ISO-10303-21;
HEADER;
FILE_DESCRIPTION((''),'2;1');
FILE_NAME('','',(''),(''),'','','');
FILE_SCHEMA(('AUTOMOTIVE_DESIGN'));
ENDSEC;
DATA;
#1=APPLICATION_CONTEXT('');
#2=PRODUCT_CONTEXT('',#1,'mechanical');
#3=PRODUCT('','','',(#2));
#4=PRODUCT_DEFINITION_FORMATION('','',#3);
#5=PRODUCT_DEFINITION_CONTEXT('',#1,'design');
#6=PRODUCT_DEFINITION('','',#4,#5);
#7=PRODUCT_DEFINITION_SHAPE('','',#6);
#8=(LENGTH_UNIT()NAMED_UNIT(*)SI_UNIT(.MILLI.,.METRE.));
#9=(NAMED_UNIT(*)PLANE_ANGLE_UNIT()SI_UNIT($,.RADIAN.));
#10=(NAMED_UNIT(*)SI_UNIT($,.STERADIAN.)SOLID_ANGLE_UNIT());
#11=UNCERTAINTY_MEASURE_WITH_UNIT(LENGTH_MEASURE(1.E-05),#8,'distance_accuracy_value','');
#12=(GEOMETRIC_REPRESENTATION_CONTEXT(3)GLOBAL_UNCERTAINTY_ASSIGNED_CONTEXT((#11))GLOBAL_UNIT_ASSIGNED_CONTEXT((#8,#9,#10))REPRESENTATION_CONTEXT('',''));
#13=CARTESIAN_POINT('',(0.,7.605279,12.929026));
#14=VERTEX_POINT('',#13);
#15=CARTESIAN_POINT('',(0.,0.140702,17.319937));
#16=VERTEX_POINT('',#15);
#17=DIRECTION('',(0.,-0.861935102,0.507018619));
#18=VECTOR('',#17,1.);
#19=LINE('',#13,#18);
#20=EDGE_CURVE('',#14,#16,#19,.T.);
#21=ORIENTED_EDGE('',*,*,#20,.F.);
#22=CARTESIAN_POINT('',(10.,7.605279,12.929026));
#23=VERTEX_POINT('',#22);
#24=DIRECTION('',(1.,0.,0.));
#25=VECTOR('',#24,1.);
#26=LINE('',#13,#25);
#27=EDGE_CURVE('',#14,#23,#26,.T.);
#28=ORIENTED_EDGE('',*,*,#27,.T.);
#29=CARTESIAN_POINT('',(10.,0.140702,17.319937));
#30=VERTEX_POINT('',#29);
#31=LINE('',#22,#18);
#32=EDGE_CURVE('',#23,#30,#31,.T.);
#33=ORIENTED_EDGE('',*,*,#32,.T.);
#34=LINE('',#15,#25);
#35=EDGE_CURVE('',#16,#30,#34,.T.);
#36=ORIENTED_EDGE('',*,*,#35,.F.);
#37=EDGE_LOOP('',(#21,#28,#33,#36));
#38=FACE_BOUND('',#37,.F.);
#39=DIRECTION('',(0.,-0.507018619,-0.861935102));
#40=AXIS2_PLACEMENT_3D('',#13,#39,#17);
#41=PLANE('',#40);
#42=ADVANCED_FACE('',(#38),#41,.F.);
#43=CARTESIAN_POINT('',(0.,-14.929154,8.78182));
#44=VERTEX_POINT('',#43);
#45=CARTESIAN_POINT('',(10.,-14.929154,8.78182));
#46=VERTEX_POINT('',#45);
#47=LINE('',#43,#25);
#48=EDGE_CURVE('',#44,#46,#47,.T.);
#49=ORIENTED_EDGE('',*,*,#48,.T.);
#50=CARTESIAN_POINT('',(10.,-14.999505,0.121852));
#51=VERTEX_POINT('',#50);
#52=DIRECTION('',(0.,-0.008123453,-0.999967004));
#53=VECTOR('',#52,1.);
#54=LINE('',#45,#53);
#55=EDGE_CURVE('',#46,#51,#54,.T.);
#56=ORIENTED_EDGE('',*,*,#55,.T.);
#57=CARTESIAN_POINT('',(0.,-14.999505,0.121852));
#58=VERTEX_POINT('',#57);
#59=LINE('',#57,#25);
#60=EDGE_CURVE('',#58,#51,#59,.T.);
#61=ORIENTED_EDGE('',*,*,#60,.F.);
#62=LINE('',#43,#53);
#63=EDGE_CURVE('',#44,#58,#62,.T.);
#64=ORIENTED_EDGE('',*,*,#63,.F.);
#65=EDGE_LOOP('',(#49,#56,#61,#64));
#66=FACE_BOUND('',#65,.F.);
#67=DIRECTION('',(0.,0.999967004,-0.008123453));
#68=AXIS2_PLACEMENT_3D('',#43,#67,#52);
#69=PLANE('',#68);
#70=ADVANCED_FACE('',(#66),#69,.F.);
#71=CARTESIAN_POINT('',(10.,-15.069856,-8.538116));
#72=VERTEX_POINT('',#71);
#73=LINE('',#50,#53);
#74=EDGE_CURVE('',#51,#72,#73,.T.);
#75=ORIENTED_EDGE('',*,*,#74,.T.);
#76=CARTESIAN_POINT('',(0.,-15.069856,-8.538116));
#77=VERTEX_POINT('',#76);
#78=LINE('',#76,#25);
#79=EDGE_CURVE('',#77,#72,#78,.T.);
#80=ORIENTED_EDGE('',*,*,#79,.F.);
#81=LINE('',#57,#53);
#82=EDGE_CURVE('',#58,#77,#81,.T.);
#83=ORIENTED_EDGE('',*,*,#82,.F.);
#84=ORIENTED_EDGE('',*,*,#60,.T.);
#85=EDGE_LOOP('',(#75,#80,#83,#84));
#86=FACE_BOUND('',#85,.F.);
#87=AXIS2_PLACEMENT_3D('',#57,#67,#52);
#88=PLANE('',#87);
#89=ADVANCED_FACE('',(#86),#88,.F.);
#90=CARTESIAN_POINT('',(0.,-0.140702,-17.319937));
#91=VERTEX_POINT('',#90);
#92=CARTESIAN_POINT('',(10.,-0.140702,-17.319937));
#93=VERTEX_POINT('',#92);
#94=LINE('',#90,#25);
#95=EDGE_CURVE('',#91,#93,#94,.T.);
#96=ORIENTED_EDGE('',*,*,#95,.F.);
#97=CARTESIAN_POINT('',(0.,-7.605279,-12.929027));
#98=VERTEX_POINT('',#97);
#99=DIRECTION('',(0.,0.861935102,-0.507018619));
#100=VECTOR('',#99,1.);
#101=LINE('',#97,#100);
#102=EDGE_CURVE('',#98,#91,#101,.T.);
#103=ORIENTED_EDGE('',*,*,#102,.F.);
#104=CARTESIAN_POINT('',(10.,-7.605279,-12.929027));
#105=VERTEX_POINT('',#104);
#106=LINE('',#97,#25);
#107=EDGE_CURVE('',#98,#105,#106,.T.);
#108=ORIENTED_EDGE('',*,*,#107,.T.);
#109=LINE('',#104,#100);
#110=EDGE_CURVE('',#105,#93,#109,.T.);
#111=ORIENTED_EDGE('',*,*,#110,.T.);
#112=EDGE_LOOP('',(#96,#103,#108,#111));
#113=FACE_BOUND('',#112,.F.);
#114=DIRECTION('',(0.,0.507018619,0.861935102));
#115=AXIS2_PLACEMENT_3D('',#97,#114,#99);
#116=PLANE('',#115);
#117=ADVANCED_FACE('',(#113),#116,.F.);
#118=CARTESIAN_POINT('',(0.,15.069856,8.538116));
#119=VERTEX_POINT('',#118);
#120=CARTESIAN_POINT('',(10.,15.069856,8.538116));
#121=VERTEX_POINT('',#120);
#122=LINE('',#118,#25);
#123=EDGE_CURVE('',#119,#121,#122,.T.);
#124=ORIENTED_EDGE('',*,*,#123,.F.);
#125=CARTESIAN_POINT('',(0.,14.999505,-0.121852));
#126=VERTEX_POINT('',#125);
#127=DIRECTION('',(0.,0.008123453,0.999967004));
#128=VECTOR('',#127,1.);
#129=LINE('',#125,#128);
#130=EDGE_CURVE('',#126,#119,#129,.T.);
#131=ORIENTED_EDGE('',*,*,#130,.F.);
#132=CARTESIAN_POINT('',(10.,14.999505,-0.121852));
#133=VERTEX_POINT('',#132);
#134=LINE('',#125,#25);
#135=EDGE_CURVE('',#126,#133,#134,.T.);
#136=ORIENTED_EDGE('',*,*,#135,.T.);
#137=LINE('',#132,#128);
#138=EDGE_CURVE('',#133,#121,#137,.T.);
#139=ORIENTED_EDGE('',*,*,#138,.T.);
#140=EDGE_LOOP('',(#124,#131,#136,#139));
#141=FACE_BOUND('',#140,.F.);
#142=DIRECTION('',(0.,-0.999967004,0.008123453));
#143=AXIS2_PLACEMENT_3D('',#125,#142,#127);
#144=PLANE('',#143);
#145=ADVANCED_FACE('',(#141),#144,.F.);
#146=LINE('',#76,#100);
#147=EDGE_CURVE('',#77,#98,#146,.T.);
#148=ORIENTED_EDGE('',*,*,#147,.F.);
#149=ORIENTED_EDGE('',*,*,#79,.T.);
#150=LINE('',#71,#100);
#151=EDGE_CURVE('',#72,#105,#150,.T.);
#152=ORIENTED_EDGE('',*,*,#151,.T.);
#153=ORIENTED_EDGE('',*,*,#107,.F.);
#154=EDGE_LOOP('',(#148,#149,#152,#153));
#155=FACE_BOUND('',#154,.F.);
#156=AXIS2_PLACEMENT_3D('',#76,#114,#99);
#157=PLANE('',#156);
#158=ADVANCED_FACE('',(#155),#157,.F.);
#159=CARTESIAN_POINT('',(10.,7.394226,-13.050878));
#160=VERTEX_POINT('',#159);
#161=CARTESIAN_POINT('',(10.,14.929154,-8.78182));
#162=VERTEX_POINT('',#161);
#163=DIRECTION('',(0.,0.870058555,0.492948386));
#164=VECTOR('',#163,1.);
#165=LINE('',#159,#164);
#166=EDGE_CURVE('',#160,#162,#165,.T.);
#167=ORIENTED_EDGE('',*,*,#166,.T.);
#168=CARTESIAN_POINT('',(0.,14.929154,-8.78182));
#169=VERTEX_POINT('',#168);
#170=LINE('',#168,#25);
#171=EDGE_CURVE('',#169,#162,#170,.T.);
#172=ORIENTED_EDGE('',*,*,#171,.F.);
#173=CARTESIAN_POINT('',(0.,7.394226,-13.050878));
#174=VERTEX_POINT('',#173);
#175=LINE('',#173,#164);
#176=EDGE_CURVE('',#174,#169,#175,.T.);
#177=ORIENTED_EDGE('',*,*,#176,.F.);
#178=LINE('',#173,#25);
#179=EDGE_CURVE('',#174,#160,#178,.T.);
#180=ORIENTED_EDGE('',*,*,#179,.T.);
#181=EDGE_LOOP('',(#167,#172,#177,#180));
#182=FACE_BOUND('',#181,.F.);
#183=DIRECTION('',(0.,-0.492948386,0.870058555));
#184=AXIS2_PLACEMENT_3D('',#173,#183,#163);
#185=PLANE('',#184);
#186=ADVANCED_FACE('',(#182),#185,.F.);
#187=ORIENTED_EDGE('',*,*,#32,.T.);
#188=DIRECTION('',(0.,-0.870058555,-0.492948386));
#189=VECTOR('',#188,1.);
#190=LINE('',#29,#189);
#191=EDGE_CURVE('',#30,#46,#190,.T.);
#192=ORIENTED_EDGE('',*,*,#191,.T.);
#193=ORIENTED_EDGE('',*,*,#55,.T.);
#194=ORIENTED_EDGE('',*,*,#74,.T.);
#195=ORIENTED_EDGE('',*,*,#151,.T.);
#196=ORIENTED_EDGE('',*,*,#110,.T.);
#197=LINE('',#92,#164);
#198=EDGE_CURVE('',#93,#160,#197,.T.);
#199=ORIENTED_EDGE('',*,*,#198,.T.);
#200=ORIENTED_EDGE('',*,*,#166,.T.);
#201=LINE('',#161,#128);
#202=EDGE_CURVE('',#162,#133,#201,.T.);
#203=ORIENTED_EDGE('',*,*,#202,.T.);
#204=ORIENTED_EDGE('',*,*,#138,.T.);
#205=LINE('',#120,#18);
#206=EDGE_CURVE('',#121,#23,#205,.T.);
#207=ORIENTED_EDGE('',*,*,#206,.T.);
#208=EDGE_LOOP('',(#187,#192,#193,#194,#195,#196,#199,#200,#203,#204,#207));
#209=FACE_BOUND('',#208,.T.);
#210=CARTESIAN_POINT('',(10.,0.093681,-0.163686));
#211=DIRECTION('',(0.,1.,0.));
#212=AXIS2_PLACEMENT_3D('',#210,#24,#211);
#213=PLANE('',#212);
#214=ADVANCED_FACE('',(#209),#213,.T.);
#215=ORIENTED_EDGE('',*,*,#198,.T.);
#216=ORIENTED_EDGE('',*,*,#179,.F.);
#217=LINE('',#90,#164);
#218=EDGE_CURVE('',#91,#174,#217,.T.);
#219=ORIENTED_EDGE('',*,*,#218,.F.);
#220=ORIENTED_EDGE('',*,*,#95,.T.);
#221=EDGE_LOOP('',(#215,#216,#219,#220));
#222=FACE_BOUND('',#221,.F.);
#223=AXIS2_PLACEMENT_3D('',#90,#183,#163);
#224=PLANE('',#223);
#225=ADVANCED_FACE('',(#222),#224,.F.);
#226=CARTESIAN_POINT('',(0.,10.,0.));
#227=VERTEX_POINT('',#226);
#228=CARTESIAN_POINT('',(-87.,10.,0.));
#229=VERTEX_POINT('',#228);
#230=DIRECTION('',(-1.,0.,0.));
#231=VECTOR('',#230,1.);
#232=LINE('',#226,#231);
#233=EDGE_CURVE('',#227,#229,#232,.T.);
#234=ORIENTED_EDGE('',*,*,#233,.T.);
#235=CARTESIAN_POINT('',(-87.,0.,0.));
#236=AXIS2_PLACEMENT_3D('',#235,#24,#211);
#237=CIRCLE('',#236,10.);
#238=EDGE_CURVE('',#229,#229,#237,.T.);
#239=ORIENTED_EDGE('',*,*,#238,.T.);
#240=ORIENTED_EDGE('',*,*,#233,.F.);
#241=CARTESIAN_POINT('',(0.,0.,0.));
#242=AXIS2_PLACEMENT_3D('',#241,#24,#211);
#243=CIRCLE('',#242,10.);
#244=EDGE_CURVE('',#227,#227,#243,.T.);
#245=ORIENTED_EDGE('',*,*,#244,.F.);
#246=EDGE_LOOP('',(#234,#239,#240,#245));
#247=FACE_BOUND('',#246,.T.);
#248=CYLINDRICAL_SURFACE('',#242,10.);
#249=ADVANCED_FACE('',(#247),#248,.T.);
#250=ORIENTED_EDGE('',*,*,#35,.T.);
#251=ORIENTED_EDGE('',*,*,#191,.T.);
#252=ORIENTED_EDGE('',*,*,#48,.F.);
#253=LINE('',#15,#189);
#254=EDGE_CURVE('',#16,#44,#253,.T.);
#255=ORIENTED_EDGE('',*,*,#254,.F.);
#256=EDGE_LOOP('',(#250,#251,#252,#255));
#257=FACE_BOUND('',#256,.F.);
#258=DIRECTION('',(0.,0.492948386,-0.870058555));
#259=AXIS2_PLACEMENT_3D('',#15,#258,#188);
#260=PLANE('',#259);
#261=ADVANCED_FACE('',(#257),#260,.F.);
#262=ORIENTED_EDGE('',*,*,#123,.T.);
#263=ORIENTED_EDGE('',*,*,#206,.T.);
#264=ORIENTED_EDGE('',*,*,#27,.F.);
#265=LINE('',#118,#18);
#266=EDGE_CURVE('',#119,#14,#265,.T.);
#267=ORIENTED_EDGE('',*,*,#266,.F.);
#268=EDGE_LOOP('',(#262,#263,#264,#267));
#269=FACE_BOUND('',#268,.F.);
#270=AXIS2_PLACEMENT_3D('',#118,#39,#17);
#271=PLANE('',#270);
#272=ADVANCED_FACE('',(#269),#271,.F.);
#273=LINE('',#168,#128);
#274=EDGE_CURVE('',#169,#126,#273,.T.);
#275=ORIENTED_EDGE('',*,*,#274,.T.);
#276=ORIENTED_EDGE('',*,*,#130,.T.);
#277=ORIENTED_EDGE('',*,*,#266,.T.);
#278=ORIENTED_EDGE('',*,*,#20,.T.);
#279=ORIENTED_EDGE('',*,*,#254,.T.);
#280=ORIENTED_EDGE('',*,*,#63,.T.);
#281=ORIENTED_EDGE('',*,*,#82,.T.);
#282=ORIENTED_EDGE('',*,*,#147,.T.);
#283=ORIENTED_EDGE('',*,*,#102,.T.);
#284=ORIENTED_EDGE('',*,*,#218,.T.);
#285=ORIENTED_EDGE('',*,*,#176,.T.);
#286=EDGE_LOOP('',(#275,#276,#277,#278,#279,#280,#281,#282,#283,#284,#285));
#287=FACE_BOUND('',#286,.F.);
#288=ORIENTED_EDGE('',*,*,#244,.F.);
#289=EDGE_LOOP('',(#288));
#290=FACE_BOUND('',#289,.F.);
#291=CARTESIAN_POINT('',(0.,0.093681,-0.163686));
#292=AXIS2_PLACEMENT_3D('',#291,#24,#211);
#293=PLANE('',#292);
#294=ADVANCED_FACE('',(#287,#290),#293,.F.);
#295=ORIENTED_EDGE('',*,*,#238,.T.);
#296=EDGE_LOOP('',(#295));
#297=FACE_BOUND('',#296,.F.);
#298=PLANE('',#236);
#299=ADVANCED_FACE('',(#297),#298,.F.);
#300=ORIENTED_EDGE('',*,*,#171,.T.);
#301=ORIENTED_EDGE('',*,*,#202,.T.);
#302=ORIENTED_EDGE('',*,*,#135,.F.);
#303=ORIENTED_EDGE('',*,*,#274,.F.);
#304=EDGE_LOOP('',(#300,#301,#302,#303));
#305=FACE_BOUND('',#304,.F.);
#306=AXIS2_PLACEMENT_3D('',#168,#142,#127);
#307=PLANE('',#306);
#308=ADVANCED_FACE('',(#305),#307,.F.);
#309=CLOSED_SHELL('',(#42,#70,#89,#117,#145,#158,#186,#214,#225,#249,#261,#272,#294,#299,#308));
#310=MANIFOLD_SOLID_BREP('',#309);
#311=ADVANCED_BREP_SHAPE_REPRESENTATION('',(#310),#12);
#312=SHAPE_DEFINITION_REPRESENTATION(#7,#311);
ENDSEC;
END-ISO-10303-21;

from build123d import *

# Parameters (mm, degrees)
F0_R      = 10
F1_DEPTH  = 87
F1_FACE_R = 10
F2_DEPTH  = 10


with BuildPart() as f1:
    # F0 (on Right) → F1 (new body)
    with BuildSketch(Plane.YZ):
        Circle(F0_R)
    extrude(amount=-F1_DEPTH)

    # F0 (on Right) + F1_face (on face) → F2 (join)
    with BuildSketch(Plane.YZ):
        with BuildLine():
            ThreePointArc((14.9995050606, -0.1218521055), (14.9998762647, -0.0609265554), (15, 0))
            ThreePointArc((15, 0), (13.0207371521, 7.4471742302), (7.6052794647, 12.9290264237))
            ThreePointArc((7.6052794647, 12.9290264237), (0.1218517845, 14.9995050633), (-7.3942259846, 13.0508782114))
            ThreePointArc((-7.3942259846, 13.0508782114), (-12.929026562, 7.6052792295), (-14.9995050623, 0.1218519076))
            ThreePointArc((-14.9995050623, 0.1218519076), (-13.0508782952, -7.3942258367), (-7.6052790755, -12.9290266526))
            ThreePointArc((-7.6052790755, -12.9290266526), (-0.1218515337, -14.9995050653), (7.3942260283, -13.0508781867))
            ThreePointArc((7.3942260283, -13.0508781867), (12.9290265245, -7.6052792932), (14.9995050606, -0.1218521055))
        make_face()
        Circle(F0_R, mode=Mode.SUBTRACT)
        with BuildLine():
            ThreePointArc((7.6052794647, 12.9290264237), (13.0207371521, 7.4471742302), (15, 0))
            ThreePointArc((15, 0), (14.9998762647, -0.0609265554), (14.9995050606, -0.1218521055))
            Line((14.9995050606, -0.1218521055), (15.0698562292, 8.5381164921))
            Line((15.0698562292, 8.5381164921), (7.6052794647, 12.9290264237))
        make_face()
        with BuildLine():
            ThreePointArc((-7.3942259846, 13.0508782114), (0.1218517845, 14.9995050633), (7.6052794647, 12.9290264237))
            Line((7.6052794647, 12.9290264237), (0.140702332, 17.3199365719))
            Line((0.140702332, 17.3199365719), (-7.3942259846, 13.0508782114))
        make_face()
        with BuildLine():
            Line((14.9291538972, -8.7818200798), (14.9995050606, -0.1218521055))
            ThreePointArc((14.9995050606, -0.1218521055), (12.9290265245, -7.6052792932), (7.3942260283, -13.0508781867))
            Line((7.3942260283, -13.0508781867), (14.9291538972, -8.7818200798))
        make_face()
        with BuildLine():
            ThreePointArc((-14.9995050623, 0.1218519076), (-12.929026562, 7.6052792295), (-7.3942259846, 13.0508782114))
            Line((-7.3942259846, 13.0508782114), (-14.9291538972, 8.7818200798))
            Line((-14.9291538972, 8.7818200798), (-14.9995050623, 0.1218519076))
        make_face()
        with BuildLine():
            Line((-0.140702332, -17.3199365719), (7.3942260283, -13.0508781867))
            ThreePointArc((7.3942260283, -13.0508781867), (-0.1218515337, -14.9995050653), (-7.6052790755, -12.9290266526))
            Line((-7.6052790755, -12.9290266526), (-0.140702332, -17.3199365719))
        make_face()
        with BuildLine():
            ThreePointArc((-7.6052790755, -12.9290266526), (-13.0508782952, -7.3942258367), (-14.9995050623, 0.1218519076))
            Line((-14.9995050623, 0.1218519076), (-15.0698562292, -8.5381164921))
            Line((-15.0698562292, -8.5381164921), (-7.6052790755, -12.9290266526))
        make_face()
    with BuildSketch(Plane.YZ):
        Circle(F1_FACE_R)
    extrude(amount=F2_DEPTH)


solid = f1.part
